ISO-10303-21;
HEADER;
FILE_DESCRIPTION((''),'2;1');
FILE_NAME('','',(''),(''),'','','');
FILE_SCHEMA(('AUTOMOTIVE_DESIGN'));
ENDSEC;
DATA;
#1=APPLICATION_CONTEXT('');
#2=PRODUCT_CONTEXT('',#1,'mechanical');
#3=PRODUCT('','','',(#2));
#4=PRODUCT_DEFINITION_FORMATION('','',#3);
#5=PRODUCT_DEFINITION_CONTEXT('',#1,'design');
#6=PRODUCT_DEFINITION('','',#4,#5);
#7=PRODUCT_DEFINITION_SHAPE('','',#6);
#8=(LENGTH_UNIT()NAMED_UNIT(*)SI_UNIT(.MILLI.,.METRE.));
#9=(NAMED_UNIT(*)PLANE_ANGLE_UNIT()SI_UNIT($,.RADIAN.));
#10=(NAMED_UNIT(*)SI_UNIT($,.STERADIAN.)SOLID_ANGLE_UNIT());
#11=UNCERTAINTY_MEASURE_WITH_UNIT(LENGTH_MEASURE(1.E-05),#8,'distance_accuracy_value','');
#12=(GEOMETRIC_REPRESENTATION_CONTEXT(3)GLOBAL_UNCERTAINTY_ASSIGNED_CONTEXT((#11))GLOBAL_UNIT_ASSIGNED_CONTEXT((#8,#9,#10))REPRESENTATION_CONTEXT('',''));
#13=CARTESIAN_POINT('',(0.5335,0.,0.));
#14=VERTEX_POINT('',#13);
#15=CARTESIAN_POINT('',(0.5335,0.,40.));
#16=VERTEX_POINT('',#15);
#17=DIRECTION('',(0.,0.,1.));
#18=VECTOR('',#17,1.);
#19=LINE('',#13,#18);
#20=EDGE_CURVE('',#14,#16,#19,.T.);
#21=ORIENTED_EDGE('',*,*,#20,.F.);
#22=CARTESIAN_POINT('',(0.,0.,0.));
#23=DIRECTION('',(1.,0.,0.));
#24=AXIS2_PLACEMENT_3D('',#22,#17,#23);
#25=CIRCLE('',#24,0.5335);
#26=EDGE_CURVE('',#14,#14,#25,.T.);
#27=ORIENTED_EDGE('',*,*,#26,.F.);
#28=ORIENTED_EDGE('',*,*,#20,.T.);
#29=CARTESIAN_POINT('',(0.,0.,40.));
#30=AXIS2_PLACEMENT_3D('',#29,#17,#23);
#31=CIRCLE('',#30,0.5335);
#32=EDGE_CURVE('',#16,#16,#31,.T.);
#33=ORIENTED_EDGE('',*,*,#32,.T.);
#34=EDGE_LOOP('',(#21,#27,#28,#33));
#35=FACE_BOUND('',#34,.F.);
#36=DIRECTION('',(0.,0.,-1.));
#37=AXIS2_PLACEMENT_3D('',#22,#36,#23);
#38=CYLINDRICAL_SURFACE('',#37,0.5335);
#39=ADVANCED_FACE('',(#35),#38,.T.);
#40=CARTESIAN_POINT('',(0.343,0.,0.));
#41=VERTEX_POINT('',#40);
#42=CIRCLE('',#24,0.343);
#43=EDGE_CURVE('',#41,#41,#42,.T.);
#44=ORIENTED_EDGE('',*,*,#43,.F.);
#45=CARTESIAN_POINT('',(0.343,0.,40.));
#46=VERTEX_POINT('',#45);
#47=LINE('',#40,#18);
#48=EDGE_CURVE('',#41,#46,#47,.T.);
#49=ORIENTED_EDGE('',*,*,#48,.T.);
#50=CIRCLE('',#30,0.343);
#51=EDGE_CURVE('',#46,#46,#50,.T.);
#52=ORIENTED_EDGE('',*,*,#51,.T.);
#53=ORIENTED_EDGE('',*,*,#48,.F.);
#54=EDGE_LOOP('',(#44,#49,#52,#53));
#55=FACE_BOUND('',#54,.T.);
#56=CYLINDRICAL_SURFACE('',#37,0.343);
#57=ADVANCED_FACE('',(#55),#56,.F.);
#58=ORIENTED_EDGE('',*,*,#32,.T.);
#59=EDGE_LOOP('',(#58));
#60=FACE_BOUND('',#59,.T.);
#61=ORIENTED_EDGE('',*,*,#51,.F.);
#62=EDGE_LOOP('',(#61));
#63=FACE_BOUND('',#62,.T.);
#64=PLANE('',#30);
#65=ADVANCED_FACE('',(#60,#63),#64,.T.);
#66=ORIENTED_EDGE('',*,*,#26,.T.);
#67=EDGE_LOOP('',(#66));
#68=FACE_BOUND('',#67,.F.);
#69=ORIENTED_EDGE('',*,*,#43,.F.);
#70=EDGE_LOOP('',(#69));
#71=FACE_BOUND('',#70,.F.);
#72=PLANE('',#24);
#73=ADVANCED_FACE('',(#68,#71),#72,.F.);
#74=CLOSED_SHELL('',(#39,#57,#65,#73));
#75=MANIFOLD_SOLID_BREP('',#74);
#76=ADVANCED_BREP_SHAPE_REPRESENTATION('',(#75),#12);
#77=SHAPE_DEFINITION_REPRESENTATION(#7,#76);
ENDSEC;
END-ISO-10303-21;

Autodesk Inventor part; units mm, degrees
ref_plane "YZ Plane" through (0, 0, 0) normal (1, 0, 0) x (0, 1, 0)
ref_plane "XZ Plane" through (0, 0, 0) normal (0, 1, 0) x (-1, 0, 0)
ref_plane "XY Plane" through (0, 0, 0) normal (0, 0, 1) x (1, 0, 0)
sketch "Sketch1" plane through (0, 0, 0) normal (0, 0, 1) x (1, 0, 0)
  circle A0 centre (0, 0) radius 0.5335
  circle A1 centre (0, 0) radius 0.343
  dimension "d0" = 1.067
  dimension "d1" = 0.686
extrude "Extrusion1" add sketch "Sketch1" along normal blind 40
properties part number "19G_Stage"
